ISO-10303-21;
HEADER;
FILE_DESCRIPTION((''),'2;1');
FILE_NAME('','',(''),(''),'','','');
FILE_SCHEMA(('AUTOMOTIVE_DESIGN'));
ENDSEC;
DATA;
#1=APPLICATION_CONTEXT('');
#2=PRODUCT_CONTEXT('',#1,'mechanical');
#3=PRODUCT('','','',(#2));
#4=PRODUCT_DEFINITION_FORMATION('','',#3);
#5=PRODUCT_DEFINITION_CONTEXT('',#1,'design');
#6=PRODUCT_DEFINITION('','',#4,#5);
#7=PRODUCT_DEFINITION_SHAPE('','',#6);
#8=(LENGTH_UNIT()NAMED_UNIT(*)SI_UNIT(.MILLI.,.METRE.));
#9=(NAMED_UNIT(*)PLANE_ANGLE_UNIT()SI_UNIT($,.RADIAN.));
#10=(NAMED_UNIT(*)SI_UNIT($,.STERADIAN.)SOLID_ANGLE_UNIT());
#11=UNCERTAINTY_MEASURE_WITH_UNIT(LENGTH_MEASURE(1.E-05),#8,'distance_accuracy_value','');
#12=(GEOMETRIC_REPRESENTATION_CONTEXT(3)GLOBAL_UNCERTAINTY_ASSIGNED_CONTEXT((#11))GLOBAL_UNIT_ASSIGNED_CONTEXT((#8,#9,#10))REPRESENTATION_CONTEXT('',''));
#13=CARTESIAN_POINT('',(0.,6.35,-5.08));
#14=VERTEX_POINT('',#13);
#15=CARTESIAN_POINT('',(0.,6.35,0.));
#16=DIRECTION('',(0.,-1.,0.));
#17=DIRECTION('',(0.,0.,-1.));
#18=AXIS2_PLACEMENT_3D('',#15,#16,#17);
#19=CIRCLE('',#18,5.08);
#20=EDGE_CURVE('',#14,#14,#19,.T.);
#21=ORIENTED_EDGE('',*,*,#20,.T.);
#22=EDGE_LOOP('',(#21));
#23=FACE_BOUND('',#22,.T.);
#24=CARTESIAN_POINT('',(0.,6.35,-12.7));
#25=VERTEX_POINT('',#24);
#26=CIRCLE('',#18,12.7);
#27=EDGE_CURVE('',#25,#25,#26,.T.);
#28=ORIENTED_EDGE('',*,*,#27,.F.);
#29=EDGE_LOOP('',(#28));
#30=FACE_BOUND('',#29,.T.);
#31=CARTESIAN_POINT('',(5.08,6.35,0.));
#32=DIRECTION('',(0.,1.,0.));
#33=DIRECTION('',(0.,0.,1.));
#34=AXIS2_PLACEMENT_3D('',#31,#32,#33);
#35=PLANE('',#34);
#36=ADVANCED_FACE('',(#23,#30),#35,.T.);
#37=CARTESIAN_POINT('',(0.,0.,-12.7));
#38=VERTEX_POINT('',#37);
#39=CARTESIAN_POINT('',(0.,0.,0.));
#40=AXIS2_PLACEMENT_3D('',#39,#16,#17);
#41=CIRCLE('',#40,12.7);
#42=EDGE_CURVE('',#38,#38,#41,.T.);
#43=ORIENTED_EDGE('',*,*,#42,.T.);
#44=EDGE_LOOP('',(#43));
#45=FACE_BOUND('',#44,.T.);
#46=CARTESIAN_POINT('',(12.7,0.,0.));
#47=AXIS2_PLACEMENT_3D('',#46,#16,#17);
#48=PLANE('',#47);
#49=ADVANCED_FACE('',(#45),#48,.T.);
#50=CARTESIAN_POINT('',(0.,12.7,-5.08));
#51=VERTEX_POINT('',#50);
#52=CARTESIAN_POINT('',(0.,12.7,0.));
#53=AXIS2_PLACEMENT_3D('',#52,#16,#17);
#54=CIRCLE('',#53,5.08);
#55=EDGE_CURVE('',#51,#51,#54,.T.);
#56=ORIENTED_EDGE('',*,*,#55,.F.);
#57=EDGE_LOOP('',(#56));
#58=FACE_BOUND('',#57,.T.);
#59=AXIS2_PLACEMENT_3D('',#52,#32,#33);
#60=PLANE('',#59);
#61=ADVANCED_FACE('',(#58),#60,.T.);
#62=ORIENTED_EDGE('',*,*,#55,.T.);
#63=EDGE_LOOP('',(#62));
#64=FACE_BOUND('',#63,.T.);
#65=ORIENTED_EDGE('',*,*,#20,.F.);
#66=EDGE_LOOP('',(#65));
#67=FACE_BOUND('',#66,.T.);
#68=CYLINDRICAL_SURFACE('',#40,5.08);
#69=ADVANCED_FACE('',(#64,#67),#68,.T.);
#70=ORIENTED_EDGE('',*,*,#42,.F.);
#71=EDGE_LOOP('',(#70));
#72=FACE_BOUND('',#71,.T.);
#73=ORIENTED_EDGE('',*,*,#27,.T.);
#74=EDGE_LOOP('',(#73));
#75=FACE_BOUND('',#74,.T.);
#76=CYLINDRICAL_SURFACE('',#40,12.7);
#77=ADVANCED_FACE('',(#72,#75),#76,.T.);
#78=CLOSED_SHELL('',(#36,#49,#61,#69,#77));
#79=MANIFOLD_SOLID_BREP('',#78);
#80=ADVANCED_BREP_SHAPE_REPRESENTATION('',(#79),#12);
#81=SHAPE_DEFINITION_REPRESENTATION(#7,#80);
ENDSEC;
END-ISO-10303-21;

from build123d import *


with BuildPart() as part:
    # Sketch1 → Revolve1 (revolve)
    with BuildSketch(Plane.XY, mode=Mode.PRIVATE) as revolve1_sk:
        Polygon((0, 0), (0, 12.7), (5.08, 12.7), (5.08, 6.35), (12.7, 6.35), (12.7, 0), align=None)
    revolve(revolve1_sk.sketch.rotate(Axis((0, 0, 0), (0, 1, 0)), 90), axis=Axis((0, 0, 0), (0, 1, 0)))


solid = part.part
